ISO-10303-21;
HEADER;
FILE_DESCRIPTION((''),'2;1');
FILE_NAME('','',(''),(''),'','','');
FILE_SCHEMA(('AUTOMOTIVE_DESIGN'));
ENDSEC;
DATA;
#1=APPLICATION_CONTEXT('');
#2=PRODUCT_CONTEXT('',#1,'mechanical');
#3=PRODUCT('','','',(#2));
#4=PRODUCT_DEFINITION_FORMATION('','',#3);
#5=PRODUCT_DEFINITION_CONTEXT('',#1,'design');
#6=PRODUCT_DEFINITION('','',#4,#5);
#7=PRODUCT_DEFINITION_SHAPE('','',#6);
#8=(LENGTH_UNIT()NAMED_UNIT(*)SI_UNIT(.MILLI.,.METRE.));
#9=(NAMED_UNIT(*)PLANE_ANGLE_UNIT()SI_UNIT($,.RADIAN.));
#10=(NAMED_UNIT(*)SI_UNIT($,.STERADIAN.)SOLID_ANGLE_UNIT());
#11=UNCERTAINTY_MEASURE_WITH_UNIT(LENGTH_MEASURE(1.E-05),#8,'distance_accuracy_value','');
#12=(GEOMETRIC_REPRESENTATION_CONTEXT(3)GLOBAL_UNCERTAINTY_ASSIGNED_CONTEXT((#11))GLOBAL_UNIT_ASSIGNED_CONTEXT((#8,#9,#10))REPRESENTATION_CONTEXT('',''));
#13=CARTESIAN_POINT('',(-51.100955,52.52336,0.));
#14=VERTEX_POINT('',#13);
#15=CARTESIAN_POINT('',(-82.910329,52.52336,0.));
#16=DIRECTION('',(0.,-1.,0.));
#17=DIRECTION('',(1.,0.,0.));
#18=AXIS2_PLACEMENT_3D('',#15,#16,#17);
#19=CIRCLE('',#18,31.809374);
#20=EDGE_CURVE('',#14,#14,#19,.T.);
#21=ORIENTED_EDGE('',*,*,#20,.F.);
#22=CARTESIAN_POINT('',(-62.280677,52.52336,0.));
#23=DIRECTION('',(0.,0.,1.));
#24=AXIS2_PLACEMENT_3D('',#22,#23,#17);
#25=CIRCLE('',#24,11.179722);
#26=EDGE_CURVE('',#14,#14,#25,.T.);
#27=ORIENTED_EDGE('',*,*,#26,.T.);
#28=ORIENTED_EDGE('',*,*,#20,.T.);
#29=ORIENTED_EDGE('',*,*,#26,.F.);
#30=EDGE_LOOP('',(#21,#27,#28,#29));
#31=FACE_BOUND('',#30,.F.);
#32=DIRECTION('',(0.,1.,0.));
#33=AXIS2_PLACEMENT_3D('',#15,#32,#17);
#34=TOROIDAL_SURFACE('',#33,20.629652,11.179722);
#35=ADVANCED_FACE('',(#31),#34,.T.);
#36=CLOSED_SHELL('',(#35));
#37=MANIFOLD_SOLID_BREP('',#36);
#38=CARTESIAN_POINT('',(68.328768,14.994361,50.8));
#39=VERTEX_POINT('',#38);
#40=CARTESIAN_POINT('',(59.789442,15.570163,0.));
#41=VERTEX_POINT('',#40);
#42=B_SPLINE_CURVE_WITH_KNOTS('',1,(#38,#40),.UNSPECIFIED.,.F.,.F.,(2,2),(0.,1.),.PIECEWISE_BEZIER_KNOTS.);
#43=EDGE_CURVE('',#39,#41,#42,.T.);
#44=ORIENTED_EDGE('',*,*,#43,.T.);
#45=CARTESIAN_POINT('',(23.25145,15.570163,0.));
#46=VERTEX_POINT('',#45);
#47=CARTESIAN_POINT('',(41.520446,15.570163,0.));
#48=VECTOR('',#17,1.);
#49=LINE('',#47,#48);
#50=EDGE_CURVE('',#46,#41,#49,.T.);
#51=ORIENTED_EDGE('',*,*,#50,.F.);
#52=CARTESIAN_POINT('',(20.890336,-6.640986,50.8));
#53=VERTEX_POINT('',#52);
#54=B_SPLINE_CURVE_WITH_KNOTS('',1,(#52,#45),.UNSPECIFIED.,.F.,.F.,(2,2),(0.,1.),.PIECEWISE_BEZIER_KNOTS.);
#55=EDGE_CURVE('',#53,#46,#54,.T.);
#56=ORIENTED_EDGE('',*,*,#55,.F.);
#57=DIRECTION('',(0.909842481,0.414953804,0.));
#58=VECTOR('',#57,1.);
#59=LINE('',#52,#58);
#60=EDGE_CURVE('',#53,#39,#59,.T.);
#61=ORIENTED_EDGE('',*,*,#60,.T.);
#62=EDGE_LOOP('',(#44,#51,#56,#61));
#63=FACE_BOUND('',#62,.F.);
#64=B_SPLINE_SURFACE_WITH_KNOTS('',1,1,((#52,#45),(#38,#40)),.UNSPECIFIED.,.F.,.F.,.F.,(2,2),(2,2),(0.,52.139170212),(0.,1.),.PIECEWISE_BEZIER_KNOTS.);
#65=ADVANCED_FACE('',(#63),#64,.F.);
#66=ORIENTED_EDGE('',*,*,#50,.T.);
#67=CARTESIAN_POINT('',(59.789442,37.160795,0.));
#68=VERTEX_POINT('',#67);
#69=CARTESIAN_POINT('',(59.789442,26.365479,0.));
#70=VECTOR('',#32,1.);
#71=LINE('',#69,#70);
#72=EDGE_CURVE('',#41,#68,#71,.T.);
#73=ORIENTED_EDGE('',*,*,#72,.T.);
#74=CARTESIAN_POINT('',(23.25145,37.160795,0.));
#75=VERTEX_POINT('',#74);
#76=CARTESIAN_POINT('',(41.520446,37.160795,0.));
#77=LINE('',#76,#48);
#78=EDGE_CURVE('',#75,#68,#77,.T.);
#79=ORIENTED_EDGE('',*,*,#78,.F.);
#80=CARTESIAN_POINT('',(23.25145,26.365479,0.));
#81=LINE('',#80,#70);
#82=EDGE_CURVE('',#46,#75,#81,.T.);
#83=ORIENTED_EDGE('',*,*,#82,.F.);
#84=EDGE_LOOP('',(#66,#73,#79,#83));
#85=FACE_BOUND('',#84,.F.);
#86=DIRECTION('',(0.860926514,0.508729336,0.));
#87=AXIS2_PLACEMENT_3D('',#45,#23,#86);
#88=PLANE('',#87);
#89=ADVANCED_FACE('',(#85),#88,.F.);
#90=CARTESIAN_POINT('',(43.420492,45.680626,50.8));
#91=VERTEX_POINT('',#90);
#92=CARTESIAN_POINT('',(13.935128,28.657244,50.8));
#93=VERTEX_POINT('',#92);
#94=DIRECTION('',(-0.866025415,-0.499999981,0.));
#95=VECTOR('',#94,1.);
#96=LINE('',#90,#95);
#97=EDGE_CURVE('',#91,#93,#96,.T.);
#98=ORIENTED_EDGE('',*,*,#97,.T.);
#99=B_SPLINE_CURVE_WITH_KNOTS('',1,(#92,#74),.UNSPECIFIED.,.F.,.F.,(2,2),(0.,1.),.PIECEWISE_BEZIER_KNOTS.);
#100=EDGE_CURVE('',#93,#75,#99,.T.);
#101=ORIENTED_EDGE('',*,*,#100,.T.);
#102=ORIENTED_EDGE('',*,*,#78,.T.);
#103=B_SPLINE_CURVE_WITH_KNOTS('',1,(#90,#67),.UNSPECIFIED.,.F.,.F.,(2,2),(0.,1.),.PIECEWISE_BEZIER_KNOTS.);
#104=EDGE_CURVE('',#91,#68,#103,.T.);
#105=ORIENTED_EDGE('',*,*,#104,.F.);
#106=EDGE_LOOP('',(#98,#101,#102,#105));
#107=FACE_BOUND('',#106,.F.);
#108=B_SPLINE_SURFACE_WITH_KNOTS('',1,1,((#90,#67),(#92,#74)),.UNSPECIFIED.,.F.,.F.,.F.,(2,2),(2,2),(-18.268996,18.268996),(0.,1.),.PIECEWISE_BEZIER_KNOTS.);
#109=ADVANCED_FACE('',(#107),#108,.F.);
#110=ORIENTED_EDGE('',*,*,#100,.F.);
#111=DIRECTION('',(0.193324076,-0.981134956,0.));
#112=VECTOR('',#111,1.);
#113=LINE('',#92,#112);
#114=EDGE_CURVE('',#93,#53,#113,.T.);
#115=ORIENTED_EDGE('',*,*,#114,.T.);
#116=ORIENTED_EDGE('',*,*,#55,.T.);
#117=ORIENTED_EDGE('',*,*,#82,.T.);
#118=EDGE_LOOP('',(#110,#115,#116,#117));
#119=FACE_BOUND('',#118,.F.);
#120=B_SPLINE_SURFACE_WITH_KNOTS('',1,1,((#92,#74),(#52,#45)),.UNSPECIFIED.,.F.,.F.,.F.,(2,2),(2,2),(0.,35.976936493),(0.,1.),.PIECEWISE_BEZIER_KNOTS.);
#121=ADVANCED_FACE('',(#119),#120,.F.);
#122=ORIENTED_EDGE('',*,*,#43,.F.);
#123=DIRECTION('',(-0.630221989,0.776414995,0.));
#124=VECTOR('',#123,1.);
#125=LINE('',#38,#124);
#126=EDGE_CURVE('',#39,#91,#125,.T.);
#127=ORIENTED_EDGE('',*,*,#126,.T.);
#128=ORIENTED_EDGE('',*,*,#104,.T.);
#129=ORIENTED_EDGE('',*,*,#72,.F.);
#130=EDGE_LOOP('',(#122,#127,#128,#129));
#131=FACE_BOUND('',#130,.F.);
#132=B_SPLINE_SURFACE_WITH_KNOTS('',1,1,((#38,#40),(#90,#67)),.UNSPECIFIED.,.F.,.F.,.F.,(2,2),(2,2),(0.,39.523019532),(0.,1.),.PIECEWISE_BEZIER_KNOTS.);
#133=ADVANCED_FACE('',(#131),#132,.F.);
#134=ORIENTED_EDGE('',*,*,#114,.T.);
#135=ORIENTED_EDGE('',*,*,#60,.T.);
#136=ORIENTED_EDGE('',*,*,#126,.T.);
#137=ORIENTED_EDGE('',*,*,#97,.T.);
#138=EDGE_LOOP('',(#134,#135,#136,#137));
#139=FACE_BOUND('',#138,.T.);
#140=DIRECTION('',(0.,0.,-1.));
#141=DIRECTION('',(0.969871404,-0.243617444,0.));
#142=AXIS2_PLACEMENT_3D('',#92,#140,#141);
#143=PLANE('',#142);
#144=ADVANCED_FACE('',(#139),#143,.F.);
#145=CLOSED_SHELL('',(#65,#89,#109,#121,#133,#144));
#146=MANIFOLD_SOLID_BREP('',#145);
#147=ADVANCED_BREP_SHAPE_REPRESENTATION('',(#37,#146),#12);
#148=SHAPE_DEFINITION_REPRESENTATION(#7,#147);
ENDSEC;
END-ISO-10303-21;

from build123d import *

# Parameters (mm, degrees)
F0_W = 36.537992
F0_H = 21.590633
F0_R = 11.179722


with BuildPart() as f3:
    # F2 (on offset) → F3 section 0
    with BuildSketch(Plane.XY.offset(50.8)):
        Polygon((13.935128, 28.657244), (20.890336, -6.640986), (68.328768, 14.994361), (43.420492, 45.680626), align=None)
    # F0 (on Top) → F3 section 1
    with BuildSketch(Plane.XY):
        with Locations((41.520446, 26.365479)):
            Rectangle(F0_W, F0_H)
    loft()


with BuildPart() as f4:
    # F0 (on Top) → F4 (revolve)
    with BuildSketch(Plane.XY):
        with Locations((-62.280677, 52.52336)):
            Circle(F0_R)
    revolve(axis=Axis((-82.910329, 50.982073, 0), (0, -1, 0)))


solid = Compound([f3.part, f4.part])
